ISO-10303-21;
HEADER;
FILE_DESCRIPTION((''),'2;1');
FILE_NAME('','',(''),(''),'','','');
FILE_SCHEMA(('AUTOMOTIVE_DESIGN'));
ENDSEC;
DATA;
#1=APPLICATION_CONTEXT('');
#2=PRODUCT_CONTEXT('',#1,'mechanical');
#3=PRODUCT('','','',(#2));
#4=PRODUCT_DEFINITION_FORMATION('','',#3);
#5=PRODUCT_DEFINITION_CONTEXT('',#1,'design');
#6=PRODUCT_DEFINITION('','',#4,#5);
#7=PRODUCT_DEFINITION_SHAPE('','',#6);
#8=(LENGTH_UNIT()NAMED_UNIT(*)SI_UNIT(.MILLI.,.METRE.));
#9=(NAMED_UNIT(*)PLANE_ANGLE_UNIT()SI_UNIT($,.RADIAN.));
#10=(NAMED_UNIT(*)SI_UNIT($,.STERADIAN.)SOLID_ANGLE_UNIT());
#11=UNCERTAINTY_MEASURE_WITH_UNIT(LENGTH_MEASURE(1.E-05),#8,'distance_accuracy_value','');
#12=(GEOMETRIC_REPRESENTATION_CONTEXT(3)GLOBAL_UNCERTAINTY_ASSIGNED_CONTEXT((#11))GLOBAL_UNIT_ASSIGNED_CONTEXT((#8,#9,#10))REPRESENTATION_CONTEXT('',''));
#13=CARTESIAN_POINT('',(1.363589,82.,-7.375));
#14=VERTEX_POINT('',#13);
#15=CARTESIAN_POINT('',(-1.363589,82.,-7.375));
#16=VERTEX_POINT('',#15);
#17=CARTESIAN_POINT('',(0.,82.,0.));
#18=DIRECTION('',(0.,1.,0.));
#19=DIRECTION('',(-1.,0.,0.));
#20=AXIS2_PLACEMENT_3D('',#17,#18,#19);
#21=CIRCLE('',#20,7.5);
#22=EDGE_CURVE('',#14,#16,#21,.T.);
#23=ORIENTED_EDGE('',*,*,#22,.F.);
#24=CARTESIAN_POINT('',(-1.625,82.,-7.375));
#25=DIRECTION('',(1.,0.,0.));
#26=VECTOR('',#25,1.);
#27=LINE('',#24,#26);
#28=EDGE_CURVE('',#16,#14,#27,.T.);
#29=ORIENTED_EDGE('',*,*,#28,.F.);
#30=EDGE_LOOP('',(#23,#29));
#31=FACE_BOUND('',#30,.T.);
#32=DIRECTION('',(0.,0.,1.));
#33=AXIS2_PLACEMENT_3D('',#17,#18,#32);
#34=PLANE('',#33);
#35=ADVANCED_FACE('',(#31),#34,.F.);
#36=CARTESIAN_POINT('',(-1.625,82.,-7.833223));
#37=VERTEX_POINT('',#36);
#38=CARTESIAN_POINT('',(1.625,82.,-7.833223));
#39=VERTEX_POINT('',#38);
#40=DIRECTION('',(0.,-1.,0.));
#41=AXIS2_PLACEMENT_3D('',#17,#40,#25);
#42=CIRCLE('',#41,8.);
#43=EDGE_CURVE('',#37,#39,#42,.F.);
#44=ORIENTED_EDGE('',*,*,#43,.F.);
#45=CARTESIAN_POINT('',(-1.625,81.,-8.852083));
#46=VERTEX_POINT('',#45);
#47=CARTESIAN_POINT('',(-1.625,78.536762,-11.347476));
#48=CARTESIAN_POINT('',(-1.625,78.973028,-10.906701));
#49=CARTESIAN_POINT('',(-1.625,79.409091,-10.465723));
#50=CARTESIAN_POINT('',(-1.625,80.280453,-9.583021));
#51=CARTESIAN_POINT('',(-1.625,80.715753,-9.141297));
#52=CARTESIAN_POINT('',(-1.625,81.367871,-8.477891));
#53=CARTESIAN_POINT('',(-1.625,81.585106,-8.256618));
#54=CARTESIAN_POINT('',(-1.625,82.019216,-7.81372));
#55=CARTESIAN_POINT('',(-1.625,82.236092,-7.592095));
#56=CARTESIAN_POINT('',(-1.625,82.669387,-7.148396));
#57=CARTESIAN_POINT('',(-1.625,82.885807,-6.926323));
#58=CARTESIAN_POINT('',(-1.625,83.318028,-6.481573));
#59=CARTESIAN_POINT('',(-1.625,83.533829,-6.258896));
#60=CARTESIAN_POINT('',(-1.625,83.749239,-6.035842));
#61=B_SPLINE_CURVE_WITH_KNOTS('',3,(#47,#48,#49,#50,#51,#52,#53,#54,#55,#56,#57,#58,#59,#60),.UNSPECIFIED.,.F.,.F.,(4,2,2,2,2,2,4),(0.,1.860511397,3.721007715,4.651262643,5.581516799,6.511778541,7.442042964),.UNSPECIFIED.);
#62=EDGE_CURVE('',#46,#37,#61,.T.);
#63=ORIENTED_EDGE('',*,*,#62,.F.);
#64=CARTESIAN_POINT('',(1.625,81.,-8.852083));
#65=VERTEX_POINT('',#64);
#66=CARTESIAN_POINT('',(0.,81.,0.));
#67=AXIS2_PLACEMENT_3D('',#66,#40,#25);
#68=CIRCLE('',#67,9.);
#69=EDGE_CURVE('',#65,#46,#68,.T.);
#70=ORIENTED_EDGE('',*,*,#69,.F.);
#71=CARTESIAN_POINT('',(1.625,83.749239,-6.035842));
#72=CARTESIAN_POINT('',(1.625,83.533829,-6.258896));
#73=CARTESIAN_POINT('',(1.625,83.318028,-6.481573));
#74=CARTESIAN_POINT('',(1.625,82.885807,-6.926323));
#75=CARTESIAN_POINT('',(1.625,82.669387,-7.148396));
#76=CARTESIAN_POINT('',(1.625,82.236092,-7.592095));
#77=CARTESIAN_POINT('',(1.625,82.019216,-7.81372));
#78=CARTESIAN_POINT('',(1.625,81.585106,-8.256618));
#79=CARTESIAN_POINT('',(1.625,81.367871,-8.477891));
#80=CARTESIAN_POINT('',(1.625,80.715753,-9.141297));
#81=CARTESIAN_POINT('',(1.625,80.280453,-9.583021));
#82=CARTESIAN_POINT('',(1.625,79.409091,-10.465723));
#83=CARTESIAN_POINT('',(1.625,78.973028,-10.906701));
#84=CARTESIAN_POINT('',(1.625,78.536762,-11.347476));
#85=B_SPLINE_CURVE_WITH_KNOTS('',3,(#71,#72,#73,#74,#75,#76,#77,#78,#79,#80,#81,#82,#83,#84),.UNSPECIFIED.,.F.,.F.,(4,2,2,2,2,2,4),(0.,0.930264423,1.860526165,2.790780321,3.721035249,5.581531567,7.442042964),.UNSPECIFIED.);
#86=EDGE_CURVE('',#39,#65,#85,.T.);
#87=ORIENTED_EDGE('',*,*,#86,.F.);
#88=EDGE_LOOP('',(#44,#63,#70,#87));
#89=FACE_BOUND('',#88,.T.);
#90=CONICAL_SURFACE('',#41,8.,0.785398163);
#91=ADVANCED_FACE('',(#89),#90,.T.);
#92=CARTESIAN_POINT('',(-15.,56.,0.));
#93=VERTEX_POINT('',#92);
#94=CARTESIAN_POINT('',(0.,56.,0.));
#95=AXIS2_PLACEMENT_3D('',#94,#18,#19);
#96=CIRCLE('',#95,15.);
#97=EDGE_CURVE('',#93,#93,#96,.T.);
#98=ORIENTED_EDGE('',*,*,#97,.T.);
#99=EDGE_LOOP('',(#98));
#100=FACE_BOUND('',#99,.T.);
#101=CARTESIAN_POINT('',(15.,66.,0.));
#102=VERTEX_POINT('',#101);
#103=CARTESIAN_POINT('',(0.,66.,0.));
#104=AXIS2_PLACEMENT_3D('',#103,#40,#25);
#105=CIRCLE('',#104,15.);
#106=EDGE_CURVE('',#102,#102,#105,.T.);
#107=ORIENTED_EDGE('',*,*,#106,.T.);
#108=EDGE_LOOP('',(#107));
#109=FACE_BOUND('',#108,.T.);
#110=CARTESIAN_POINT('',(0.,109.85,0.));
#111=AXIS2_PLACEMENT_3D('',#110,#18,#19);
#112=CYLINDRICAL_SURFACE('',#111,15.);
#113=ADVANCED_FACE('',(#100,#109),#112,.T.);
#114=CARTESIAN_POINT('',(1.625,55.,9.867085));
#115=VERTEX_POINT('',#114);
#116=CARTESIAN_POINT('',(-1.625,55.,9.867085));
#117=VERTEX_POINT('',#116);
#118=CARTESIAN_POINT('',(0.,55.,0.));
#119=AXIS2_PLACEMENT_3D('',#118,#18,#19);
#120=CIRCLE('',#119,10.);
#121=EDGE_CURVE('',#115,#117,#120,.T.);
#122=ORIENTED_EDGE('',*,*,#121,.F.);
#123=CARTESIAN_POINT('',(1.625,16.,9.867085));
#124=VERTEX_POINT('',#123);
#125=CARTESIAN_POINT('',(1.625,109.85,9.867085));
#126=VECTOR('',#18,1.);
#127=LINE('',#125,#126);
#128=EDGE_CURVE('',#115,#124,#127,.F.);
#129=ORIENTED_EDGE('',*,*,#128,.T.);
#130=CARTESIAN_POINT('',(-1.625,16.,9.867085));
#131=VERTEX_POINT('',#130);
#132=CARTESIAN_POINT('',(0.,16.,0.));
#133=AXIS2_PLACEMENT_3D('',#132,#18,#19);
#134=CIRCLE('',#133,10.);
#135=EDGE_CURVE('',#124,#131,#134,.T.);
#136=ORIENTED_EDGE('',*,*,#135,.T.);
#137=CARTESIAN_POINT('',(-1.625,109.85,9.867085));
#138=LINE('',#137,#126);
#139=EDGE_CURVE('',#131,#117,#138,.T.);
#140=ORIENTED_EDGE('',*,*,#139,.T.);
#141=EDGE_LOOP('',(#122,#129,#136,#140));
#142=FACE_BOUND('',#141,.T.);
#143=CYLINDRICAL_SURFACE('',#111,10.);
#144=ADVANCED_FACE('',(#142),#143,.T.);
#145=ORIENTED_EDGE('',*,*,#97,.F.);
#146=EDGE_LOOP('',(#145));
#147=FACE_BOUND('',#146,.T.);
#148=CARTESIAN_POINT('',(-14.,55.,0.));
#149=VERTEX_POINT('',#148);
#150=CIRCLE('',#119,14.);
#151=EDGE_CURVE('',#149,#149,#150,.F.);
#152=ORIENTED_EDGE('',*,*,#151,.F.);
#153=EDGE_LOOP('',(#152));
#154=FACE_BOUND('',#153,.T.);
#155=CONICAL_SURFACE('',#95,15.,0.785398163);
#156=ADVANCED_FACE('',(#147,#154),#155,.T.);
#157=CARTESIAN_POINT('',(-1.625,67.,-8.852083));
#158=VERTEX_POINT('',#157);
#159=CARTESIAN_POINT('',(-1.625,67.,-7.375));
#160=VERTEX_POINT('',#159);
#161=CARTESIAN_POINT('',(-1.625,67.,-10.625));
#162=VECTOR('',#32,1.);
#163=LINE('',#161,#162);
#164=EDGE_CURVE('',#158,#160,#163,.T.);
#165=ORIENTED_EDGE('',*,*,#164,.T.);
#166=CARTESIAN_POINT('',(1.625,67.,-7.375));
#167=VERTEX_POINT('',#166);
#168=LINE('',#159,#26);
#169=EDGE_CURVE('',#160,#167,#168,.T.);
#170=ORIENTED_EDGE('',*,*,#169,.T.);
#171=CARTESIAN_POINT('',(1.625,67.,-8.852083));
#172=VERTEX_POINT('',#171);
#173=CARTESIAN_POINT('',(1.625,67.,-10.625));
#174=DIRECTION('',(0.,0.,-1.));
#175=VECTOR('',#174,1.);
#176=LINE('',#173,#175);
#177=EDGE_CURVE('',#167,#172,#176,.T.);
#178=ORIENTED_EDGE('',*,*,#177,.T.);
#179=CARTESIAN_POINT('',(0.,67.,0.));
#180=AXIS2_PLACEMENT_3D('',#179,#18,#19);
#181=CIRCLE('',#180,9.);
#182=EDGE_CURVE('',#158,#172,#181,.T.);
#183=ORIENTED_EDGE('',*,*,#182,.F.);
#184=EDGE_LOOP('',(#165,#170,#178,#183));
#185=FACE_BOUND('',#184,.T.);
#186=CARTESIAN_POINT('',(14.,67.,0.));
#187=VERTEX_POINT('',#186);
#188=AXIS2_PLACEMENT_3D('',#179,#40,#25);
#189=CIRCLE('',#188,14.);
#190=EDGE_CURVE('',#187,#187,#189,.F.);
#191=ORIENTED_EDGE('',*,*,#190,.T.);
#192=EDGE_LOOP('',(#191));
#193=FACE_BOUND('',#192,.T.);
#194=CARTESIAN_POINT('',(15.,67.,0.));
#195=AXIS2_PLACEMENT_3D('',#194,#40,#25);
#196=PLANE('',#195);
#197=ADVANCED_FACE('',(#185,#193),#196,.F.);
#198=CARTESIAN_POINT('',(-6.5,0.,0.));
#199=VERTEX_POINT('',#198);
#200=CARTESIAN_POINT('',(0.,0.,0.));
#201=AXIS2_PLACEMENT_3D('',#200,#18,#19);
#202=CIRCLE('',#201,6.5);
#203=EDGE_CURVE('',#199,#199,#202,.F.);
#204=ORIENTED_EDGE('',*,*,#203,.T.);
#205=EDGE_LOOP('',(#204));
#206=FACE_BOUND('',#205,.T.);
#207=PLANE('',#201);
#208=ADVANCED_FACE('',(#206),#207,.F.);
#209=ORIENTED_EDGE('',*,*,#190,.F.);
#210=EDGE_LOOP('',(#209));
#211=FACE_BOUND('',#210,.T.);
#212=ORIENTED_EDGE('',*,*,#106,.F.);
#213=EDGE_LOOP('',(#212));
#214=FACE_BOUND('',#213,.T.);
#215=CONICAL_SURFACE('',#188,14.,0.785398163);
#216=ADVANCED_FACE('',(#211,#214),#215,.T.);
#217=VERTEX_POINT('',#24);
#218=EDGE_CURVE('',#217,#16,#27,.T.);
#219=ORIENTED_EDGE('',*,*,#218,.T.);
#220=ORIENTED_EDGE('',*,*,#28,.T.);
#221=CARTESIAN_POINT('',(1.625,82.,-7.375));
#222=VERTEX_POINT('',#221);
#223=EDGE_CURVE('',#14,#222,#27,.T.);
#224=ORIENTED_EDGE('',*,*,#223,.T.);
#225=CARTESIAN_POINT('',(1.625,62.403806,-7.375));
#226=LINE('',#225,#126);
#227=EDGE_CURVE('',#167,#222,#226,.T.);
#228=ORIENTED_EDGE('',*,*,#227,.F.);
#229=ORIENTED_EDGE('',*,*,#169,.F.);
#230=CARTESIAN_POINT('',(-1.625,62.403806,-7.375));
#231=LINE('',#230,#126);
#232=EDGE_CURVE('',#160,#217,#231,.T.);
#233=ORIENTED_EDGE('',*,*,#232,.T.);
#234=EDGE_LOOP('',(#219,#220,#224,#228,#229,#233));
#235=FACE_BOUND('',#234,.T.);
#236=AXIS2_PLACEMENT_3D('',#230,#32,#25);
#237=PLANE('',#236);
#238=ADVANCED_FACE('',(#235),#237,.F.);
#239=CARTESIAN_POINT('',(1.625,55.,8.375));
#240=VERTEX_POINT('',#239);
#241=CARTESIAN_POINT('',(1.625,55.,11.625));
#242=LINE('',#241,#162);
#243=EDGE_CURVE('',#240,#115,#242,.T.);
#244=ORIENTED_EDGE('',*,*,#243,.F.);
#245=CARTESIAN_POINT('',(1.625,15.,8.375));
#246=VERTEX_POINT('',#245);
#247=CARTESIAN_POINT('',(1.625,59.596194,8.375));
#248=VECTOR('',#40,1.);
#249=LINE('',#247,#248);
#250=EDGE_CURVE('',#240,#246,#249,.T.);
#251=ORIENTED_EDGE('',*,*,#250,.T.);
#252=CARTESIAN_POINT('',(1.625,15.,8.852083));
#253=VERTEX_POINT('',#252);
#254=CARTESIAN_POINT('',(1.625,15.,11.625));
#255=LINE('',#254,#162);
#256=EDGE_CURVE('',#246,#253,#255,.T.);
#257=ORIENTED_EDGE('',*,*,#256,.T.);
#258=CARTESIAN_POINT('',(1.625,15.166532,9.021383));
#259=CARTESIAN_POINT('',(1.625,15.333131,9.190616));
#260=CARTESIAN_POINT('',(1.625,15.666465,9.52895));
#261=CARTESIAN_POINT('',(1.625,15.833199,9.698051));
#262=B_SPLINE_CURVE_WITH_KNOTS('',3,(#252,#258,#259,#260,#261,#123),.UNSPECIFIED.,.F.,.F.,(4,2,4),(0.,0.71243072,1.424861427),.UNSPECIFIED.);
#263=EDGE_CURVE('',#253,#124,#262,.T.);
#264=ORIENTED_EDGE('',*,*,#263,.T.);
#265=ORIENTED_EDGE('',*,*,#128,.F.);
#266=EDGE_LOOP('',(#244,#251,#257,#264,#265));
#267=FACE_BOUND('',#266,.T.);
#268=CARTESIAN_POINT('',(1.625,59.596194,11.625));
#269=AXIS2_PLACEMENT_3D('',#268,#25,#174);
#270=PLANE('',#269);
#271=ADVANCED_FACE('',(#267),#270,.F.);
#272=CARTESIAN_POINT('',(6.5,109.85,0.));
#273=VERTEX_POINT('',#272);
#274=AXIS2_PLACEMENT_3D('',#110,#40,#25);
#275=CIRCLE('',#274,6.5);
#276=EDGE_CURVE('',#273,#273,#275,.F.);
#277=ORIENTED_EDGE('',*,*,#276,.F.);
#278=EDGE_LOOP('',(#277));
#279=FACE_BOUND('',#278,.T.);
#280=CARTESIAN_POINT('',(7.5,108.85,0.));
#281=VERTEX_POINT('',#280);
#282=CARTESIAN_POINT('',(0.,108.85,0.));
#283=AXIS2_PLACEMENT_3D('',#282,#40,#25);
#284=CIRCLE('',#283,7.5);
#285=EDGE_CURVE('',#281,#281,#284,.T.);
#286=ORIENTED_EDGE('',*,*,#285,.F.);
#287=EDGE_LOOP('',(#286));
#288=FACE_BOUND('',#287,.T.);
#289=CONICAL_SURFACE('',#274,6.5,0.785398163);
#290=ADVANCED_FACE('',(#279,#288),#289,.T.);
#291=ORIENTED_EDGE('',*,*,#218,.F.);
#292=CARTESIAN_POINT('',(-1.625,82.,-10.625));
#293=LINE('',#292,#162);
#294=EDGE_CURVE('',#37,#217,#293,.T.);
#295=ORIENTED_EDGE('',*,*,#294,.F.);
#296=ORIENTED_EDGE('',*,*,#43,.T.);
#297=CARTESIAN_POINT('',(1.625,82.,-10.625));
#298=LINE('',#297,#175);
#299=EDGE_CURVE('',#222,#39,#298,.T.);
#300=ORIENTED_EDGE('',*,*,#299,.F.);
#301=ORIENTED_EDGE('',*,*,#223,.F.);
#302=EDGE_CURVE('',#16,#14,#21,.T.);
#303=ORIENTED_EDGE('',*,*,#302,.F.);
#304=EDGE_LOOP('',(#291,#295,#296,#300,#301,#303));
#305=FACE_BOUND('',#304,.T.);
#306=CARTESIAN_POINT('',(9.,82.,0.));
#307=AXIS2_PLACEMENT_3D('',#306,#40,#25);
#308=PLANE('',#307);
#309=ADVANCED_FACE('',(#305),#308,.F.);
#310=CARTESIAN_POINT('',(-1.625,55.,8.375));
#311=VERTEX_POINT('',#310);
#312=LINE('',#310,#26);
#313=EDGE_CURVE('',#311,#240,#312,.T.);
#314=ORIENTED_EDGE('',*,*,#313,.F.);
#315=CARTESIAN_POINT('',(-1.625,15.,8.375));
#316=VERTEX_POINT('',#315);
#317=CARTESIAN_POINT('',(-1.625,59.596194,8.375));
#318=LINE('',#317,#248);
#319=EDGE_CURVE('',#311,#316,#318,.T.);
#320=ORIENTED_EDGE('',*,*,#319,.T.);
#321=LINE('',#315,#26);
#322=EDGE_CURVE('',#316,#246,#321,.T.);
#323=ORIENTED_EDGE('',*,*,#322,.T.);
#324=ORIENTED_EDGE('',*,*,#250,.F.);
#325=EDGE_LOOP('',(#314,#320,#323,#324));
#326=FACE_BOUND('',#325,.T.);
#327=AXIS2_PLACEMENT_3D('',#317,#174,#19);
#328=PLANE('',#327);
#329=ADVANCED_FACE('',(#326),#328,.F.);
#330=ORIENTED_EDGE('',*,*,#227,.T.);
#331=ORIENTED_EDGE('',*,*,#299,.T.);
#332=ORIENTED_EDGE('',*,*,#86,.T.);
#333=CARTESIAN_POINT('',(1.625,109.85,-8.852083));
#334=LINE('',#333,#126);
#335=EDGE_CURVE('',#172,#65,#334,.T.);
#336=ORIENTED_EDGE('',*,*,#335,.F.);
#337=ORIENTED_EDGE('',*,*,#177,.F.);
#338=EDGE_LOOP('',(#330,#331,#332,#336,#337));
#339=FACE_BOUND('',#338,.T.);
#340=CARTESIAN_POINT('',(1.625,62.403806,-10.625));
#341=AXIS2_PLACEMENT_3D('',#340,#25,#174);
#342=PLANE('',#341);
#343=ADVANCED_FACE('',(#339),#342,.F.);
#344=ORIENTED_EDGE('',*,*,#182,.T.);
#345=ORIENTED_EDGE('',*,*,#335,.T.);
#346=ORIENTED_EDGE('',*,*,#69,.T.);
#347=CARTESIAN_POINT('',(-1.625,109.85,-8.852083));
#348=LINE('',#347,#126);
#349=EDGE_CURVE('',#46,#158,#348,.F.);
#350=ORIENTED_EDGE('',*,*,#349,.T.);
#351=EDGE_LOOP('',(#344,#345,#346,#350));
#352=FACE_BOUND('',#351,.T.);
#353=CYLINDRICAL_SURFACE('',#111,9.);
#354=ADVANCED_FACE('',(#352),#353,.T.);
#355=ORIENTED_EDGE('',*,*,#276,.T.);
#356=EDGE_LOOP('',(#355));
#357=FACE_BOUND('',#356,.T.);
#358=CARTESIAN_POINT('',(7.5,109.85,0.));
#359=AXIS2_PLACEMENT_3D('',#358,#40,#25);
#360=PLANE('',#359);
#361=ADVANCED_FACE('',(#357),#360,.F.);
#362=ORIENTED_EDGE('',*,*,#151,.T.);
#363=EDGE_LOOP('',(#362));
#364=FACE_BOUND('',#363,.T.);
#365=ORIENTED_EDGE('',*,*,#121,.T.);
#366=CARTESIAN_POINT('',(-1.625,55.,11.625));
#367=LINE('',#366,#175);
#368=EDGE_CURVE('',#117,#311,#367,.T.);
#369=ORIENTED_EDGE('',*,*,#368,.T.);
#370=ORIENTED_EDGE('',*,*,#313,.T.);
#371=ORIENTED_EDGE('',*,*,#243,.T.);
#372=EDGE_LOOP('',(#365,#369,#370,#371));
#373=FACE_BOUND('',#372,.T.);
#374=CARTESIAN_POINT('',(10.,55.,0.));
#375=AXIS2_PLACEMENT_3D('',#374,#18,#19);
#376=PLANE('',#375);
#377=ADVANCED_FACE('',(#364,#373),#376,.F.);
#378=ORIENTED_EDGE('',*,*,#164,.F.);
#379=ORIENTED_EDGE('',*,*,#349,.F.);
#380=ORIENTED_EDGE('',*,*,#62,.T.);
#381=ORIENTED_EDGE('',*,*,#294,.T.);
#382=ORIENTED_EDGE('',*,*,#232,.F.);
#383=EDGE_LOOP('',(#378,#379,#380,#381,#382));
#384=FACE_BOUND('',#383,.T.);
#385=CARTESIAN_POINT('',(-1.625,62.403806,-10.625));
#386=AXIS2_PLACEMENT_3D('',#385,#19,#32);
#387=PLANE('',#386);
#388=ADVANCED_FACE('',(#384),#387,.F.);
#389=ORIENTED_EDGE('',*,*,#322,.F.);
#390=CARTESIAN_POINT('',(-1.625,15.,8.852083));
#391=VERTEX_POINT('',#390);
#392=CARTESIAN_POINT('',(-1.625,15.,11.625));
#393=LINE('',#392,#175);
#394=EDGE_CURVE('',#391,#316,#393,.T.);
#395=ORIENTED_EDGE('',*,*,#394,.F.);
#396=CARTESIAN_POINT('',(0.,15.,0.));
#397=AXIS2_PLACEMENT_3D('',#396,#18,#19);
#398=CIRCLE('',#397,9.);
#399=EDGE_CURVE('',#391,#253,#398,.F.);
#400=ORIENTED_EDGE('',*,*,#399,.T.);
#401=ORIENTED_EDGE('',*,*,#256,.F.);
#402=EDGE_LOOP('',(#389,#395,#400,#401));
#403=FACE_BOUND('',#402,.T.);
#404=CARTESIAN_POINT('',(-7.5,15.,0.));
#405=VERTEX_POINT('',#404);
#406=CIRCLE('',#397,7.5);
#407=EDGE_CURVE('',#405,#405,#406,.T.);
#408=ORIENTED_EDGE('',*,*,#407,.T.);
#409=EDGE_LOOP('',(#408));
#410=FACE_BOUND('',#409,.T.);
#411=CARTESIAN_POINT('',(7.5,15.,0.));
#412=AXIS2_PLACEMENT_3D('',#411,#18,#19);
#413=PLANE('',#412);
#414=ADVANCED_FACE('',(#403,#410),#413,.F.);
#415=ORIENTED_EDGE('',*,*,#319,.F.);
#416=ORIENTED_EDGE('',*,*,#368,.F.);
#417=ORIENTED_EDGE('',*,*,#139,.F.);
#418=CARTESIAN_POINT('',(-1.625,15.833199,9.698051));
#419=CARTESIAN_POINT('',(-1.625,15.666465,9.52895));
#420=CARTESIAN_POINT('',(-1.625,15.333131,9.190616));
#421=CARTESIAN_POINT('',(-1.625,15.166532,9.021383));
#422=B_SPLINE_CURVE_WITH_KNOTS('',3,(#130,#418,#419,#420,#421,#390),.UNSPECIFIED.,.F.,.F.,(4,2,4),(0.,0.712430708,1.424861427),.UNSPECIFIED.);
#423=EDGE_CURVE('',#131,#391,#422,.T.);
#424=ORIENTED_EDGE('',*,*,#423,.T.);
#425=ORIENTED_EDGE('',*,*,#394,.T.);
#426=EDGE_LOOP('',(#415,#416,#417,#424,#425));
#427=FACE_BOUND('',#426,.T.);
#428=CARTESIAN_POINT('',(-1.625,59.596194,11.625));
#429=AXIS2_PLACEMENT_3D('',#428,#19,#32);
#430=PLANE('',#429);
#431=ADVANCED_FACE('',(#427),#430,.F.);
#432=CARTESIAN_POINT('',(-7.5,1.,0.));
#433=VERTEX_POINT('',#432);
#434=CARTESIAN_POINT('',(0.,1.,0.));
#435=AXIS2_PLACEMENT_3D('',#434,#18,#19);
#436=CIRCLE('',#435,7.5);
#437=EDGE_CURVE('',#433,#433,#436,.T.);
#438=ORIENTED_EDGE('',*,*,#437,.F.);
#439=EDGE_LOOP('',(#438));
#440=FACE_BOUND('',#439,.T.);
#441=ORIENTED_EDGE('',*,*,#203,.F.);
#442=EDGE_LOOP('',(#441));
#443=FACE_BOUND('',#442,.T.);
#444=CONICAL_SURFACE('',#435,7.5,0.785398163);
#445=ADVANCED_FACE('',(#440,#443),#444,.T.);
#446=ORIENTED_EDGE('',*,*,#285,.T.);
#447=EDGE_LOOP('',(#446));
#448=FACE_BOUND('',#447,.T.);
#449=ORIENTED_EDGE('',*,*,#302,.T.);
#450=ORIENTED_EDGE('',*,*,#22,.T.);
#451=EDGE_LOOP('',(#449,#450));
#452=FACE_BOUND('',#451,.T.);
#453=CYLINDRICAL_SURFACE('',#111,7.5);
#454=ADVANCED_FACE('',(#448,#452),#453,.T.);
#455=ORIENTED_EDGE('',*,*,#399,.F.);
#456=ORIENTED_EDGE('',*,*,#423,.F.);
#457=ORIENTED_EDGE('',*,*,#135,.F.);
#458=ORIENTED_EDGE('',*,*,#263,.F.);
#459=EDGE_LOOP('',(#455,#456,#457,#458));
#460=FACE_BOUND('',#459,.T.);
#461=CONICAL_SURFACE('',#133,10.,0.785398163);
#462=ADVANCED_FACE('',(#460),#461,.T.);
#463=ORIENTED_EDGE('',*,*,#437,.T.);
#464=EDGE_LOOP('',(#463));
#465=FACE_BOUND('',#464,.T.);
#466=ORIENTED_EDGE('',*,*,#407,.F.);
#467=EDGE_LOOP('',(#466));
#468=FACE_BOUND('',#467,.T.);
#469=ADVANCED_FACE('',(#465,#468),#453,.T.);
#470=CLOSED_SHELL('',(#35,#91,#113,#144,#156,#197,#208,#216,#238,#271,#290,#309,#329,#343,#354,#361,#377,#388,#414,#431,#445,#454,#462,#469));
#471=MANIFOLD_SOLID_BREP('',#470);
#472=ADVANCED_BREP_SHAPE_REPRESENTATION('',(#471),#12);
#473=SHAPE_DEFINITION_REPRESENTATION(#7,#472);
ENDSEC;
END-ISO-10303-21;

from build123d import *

# Parameters (mm, degrees)
SKETCH2_W          = 3.25
SKETCH2_H          = 3.25
CUT_EXTRUDE1_DEPTH = 40
CHAMFER1_SIZE      = 1
SKETCH3_W          = 3.25
SKETCH3_H          = 3.25
CUT_EXTRUDE2_DEPTH = 15


with BuildPart() as part:
    # Sketch1 → Revolve1 (revolve)
    with BuildSketch(Plane.XY, mode=Mode.PRIVATE) as revolve1_sk:
        Polygon((0, 0), (7.5, 0), (7.5, 15), (10, 15), (10, 55), (15, 55), (15, 67), (9, 67), (9, 82), (7.5, 82), (7.5, 109.85), (0, 109.85), align=None)
    revolve(revolve1_sk.sketch.rotate(Axis((0, 109.85, 0), (0, -1, 0)), 180), axis=Axis((0, 109.85, 0), (0, -1, 0)))

    # Sketch2 → Cut-Extrude1 (cut)
    with BuildSketch(Plane.XZ.offset(-15)):
        with Locations((0, 10)):
            Rectangle(SKETCH2_W, SKETCH2_H)
    extrude(amount=-CUT_EXTRUDE1_DEPTH, mode=Mode.SUBTRACT)

    # Chamfer1
    chamfer1_edges = [part.edges().sort_by_distance(p)[0] for p in [
        (15, 67, 0),
        (15, 55, 0),
        (7.5, 0, 0),
        (0, 15, -10),
        (7.5, 109.85, 0),
        (9, 82, 0),
    ]]
    chamfer(chamfer1_edges, length=CHAMFER1_SIZE)

    # Sketch3 → Cut-Extrude2 (cut)
    with BuildSketch(Plane(origin=(0, 82, 0), x_dir=(1, 0, 0), z_dir=(0, 1, 0))):
        with Locations((0, 9)):
            Rectangle(SKETCH3_W, SKETCH3_H)
    extrude(amount=-CUT_EXTRUDE2_DEPTH, mode=Mode.SUBTRACT)


solid = part.part
